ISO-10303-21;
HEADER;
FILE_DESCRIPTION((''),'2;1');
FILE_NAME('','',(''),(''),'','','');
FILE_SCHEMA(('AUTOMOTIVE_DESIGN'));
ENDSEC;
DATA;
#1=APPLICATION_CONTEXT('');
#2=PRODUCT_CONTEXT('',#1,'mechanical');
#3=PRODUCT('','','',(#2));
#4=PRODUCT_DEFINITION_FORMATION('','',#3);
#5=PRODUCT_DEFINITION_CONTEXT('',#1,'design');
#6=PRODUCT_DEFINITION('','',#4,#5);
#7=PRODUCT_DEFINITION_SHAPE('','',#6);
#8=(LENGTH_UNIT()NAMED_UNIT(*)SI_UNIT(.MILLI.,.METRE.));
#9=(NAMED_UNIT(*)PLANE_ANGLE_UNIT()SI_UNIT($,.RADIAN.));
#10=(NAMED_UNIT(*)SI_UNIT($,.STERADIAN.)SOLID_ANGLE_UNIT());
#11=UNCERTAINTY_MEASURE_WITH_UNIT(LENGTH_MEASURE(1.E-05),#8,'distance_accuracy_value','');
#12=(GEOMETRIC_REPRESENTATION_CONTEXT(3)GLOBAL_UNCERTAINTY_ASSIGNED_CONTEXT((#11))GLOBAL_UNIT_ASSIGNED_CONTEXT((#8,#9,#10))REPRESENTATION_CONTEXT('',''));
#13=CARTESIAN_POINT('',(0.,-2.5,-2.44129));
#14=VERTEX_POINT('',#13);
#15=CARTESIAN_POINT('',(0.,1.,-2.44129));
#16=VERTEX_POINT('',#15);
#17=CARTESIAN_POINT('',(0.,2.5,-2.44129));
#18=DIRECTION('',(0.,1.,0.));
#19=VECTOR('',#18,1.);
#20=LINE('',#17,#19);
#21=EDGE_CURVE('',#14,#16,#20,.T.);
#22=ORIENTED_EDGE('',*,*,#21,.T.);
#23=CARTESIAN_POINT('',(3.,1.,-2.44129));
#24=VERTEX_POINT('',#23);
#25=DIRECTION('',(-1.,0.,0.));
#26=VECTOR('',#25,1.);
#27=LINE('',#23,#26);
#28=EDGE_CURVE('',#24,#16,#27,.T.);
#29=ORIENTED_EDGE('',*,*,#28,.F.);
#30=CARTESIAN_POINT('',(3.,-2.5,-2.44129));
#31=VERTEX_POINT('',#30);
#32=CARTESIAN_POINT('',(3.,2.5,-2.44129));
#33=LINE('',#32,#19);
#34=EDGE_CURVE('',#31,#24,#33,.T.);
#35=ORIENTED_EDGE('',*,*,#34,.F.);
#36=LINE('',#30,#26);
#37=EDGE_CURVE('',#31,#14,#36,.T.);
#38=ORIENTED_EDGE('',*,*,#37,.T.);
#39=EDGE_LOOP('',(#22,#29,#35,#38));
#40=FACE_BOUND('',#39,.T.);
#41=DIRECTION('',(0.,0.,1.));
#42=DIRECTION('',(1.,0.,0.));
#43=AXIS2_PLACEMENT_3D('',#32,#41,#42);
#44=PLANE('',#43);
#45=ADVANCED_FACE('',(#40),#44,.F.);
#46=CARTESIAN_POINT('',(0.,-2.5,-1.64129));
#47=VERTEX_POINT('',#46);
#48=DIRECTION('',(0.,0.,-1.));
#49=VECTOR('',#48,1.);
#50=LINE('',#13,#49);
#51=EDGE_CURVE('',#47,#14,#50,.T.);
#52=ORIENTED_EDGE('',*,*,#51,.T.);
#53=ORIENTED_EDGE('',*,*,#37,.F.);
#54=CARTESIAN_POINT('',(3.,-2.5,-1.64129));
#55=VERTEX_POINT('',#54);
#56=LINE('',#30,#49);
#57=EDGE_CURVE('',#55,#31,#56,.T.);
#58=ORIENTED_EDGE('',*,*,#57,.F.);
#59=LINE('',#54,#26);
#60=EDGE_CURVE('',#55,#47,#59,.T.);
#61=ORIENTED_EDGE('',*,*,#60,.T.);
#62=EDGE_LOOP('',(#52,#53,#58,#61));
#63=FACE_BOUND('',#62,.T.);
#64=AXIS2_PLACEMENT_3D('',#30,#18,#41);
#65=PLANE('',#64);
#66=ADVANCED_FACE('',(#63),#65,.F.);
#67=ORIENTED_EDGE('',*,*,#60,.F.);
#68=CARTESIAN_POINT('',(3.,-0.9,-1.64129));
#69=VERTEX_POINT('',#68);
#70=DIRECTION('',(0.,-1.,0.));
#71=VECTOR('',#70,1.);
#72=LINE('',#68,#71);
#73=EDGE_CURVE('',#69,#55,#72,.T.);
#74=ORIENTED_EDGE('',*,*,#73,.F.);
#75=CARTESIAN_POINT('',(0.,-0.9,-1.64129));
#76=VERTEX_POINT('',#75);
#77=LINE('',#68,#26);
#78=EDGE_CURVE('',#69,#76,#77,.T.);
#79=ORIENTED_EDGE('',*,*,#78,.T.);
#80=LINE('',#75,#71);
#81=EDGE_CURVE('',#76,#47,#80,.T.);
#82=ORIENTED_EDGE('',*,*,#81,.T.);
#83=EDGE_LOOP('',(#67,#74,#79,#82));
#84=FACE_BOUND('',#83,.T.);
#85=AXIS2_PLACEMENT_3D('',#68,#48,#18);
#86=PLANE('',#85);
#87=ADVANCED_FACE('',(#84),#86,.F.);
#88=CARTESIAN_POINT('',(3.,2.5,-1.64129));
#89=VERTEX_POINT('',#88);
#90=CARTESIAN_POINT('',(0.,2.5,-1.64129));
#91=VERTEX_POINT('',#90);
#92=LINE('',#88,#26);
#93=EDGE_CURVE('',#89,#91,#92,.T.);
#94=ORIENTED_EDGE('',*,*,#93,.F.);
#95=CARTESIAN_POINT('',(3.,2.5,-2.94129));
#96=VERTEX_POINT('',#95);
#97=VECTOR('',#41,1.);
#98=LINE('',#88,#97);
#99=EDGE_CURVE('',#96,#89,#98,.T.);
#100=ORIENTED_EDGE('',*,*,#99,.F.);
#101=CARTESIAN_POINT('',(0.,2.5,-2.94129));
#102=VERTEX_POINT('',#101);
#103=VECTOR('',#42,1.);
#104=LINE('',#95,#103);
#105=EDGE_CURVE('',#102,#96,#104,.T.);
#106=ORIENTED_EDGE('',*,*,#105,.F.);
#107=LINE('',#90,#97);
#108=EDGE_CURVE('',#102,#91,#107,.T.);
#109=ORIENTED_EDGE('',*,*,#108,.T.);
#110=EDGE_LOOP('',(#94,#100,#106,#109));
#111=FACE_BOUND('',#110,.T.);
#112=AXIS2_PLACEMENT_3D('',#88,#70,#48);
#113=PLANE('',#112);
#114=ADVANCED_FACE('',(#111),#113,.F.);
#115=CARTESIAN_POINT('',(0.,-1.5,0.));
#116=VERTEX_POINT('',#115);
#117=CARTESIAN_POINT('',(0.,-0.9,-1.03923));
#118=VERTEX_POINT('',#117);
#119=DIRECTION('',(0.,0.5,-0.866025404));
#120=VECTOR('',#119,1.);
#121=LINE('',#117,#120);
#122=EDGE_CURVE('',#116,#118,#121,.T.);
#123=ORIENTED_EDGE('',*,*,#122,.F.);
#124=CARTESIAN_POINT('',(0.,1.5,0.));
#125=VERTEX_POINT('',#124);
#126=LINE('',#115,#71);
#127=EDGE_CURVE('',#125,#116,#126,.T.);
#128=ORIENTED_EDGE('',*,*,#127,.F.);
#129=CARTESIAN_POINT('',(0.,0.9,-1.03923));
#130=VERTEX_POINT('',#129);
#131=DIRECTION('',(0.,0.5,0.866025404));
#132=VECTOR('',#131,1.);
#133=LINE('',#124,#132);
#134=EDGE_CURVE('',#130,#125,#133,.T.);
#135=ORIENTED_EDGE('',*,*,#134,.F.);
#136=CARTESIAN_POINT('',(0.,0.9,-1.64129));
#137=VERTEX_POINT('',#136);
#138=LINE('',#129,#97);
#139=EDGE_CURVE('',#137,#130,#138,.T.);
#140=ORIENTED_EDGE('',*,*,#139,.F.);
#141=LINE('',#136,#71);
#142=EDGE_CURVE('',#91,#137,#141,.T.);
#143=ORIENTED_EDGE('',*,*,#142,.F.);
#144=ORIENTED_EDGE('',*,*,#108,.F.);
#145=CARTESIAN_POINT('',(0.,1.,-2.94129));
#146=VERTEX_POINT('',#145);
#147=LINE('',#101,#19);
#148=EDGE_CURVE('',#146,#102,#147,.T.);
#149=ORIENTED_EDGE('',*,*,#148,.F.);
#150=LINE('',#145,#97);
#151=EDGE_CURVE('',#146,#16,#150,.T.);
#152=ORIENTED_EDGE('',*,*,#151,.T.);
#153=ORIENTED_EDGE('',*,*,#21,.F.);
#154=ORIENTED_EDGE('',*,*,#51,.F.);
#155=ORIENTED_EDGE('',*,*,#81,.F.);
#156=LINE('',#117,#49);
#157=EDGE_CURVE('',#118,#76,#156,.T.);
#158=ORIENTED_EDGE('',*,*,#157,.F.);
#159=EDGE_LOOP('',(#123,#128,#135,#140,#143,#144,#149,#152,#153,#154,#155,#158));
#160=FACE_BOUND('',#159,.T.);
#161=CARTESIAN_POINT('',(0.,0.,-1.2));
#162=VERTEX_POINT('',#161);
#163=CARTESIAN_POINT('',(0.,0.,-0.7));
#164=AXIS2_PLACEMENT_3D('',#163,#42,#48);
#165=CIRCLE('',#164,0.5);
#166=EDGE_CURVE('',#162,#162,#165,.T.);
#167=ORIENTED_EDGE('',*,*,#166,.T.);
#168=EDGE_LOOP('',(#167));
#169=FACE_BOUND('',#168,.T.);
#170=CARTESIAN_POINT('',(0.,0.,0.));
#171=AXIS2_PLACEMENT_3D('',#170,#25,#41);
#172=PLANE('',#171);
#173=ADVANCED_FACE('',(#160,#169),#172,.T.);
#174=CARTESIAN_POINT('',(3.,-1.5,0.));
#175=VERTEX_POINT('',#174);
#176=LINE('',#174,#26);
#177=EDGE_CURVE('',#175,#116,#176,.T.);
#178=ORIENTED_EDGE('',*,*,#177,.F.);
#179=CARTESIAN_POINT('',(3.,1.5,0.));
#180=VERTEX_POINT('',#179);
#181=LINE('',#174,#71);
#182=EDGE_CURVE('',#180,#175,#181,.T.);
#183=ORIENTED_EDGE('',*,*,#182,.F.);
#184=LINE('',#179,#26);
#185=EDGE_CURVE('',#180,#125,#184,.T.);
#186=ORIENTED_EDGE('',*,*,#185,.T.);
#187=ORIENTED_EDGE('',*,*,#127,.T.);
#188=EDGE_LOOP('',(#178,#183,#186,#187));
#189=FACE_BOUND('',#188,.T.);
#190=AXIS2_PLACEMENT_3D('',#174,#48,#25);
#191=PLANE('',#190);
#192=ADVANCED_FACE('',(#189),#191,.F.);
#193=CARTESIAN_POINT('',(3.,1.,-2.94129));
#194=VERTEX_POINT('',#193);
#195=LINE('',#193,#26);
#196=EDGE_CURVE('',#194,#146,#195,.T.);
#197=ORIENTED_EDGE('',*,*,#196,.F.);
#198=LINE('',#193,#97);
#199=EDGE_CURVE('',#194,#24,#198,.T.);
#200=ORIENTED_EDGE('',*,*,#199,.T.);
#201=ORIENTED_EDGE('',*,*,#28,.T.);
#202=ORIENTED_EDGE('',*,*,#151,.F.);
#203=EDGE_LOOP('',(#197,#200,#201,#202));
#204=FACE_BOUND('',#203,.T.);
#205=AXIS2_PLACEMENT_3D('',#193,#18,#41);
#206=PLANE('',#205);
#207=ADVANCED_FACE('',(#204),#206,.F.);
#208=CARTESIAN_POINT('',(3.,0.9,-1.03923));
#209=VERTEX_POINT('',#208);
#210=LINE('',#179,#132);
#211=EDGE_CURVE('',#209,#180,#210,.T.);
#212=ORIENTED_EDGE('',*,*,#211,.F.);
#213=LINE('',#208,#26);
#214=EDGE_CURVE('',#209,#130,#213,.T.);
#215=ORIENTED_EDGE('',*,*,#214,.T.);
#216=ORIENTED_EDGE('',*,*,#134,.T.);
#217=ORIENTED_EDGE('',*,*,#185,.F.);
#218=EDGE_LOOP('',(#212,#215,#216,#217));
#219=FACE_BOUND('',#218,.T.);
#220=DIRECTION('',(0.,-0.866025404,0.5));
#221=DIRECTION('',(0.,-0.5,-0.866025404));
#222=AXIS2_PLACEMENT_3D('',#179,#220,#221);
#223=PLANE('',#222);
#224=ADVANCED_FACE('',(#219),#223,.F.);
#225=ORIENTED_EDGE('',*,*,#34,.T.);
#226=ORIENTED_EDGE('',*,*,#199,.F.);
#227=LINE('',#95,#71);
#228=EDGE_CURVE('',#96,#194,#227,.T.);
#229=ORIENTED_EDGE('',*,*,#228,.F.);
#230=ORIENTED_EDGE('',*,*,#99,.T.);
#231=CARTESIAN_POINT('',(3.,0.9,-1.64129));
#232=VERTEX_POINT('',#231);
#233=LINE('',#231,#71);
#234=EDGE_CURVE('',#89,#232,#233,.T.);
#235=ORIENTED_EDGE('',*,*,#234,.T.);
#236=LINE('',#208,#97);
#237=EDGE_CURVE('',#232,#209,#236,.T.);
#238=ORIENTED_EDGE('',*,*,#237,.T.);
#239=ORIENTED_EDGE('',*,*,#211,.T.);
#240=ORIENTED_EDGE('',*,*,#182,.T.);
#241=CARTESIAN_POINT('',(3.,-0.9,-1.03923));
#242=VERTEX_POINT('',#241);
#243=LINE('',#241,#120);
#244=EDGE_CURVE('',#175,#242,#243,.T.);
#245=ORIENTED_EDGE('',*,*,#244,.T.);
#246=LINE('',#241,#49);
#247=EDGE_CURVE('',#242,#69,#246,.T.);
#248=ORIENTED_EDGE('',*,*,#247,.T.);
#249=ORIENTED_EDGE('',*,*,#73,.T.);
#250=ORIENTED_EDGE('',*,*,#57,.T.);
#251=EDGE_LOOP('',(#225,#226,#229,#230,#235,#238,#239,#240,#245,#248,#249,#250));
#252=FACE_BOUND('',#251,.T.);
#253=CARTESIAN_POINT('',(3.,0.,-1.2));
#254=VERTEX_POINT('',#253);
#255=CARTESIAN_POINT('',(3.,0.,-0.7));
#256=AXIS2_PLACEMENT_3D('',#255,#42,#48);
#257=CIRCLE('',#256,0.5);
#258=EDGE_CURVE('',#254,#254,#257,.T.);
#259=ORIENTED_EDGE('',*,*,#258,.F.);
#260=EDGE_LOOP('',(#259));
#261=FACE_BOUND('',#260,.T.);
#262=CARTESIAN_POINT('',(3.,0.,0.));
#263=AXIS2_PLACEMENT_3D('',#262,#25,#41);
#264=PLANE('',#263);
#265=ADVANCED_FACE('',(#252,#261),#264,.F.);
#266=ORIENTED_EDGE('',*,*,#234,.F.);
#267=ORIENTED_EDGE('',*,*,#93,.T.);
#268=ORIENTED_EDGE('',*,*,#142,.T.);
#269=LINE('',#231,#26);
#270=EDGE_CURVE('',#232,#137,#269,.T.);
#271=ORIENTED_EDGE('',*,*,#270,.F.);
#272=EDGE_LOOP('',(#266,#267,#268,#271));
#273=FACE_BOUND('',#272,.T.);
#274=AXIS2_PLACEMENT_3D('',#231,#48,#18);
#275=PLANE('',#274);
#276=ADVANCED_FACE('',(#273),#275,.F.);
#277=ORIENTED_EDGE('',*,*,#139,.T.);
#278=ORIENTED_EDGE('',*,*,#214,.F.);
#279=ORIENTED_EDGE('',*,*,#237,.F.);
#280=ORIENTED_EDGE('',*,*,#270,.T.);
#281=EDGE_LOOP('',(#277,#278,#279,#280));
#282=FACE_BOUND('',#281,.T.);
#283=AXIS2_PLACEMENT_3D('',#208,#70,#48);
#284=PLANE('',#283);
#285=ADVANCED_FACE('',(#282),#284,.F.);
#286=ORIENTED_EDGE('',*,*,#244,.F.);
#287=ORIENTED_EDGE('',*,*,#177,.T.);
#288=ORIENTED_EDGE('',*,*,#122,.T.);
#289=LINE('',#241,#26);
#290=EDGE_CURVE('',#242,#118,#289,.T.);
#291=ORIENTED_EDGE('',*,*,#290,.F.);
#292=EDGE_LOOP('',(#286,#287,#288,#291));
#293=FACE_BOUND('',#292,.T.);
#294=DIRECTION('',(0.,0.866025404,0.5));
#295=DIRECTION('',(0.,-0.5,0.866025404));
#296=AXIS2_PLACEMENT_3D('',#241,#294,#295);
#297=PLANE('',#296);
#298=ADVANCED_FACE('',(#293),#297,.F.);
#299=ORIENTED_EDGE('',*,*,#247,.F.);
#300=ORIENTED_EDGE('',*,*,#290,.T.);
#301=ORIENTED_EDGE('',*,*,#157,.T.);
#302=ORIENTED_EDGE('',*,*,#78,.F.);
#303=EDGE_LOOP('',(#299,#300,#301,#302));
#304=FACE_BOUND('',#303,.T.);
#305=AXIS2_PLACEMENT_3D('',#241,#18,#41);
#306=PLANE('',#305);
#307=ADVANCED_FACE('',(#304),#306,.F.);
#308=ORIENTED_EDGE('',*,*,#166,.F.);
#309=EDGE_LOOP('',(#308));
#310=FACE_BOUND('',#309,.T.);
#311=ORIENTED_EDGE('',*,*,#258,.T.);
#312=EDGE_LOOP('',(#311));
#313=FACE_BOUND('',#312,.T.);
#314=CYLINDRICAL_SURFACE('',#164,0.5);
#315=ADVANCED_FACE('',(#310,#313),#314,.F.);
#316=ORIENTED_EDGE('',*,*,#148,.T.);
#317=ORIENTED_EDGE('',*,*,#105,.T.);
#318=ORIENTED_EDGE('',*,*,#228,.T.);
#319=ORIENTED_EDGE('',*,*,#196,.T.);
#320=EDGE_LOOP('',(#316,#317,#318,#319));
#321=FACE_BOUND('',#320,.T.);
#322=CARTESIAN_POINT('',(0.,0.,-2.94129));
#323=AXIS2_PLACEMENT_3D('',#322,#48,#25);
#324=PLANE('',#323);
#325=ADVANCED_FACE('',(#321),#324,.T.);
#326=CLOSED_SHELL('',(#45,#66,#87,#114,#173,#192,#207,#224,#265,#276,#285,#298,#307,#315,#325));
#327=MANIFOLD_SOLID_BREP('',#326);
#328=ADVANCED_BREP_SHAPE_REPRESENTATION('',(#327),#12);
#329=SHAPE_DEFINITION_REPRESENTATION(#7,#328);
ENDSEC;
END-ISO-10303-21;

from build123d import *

# Parameters (mm, degrees)
BOSS_EXTRUDE1_DEPTH = 3
SKETCH2_R           = 0.5
CUT_EXTRUDE1_DEPTH  = 5.605420599
SKETCH3_W           = 3
SKETCH3_H           = 1.5
BOSS_EXTRUDE2_DEPTH = 0.5


with BuildPart() as part:
    # Sketch1 → Boss-Extrude1 (new body)
    with BuildSketch(Plane(origin=(0, 0, 0), x_dir=(0, 0, -1), z_dir=(1, 0, 0))):
        Polygon((0, -1.5), (0, 1.5), (1.039230485, 0.9), (1.641290416, 0.9), (1.641290416, 2.5), (2.441290416, 2.5), (2.441290416, -2.5), (1.641290416, -2.5), (1.641290416, -0.9), (1.039230485, -0.9), align=None)
    extrude(amount=BOSS_EXTRUDE1_DEPTH)

    # Sketch2 → Cut-Extrude1 (cut, through all)
    with BuildSketch(Plane(origin=(3, 0, 0), x_dir=(0, 0, -1), z_dir=(1, 0, 0))):
        with Locations((0.7, 0)):
            Circle(SKETCH2_R)
    extrude(amount=-CUT_EXTRUDE1_DEPTH, mode=Mode.SUBTRACT)

    # Sketch3 → Boss-Extrude2 (add)
    with BuildSketch(Plane(origin=(0, 0, -2.441290416), x_dir=(-1, 0, 0), z_dir=(0, 0, -1))):
        with Locations((-1.5, 1.75)):
            Rectangle(SKETCH3_W, SKETCH3_H)
    extrude(amount=BOSS_EXTRUDE2_DEPTH)


solid = part.part
